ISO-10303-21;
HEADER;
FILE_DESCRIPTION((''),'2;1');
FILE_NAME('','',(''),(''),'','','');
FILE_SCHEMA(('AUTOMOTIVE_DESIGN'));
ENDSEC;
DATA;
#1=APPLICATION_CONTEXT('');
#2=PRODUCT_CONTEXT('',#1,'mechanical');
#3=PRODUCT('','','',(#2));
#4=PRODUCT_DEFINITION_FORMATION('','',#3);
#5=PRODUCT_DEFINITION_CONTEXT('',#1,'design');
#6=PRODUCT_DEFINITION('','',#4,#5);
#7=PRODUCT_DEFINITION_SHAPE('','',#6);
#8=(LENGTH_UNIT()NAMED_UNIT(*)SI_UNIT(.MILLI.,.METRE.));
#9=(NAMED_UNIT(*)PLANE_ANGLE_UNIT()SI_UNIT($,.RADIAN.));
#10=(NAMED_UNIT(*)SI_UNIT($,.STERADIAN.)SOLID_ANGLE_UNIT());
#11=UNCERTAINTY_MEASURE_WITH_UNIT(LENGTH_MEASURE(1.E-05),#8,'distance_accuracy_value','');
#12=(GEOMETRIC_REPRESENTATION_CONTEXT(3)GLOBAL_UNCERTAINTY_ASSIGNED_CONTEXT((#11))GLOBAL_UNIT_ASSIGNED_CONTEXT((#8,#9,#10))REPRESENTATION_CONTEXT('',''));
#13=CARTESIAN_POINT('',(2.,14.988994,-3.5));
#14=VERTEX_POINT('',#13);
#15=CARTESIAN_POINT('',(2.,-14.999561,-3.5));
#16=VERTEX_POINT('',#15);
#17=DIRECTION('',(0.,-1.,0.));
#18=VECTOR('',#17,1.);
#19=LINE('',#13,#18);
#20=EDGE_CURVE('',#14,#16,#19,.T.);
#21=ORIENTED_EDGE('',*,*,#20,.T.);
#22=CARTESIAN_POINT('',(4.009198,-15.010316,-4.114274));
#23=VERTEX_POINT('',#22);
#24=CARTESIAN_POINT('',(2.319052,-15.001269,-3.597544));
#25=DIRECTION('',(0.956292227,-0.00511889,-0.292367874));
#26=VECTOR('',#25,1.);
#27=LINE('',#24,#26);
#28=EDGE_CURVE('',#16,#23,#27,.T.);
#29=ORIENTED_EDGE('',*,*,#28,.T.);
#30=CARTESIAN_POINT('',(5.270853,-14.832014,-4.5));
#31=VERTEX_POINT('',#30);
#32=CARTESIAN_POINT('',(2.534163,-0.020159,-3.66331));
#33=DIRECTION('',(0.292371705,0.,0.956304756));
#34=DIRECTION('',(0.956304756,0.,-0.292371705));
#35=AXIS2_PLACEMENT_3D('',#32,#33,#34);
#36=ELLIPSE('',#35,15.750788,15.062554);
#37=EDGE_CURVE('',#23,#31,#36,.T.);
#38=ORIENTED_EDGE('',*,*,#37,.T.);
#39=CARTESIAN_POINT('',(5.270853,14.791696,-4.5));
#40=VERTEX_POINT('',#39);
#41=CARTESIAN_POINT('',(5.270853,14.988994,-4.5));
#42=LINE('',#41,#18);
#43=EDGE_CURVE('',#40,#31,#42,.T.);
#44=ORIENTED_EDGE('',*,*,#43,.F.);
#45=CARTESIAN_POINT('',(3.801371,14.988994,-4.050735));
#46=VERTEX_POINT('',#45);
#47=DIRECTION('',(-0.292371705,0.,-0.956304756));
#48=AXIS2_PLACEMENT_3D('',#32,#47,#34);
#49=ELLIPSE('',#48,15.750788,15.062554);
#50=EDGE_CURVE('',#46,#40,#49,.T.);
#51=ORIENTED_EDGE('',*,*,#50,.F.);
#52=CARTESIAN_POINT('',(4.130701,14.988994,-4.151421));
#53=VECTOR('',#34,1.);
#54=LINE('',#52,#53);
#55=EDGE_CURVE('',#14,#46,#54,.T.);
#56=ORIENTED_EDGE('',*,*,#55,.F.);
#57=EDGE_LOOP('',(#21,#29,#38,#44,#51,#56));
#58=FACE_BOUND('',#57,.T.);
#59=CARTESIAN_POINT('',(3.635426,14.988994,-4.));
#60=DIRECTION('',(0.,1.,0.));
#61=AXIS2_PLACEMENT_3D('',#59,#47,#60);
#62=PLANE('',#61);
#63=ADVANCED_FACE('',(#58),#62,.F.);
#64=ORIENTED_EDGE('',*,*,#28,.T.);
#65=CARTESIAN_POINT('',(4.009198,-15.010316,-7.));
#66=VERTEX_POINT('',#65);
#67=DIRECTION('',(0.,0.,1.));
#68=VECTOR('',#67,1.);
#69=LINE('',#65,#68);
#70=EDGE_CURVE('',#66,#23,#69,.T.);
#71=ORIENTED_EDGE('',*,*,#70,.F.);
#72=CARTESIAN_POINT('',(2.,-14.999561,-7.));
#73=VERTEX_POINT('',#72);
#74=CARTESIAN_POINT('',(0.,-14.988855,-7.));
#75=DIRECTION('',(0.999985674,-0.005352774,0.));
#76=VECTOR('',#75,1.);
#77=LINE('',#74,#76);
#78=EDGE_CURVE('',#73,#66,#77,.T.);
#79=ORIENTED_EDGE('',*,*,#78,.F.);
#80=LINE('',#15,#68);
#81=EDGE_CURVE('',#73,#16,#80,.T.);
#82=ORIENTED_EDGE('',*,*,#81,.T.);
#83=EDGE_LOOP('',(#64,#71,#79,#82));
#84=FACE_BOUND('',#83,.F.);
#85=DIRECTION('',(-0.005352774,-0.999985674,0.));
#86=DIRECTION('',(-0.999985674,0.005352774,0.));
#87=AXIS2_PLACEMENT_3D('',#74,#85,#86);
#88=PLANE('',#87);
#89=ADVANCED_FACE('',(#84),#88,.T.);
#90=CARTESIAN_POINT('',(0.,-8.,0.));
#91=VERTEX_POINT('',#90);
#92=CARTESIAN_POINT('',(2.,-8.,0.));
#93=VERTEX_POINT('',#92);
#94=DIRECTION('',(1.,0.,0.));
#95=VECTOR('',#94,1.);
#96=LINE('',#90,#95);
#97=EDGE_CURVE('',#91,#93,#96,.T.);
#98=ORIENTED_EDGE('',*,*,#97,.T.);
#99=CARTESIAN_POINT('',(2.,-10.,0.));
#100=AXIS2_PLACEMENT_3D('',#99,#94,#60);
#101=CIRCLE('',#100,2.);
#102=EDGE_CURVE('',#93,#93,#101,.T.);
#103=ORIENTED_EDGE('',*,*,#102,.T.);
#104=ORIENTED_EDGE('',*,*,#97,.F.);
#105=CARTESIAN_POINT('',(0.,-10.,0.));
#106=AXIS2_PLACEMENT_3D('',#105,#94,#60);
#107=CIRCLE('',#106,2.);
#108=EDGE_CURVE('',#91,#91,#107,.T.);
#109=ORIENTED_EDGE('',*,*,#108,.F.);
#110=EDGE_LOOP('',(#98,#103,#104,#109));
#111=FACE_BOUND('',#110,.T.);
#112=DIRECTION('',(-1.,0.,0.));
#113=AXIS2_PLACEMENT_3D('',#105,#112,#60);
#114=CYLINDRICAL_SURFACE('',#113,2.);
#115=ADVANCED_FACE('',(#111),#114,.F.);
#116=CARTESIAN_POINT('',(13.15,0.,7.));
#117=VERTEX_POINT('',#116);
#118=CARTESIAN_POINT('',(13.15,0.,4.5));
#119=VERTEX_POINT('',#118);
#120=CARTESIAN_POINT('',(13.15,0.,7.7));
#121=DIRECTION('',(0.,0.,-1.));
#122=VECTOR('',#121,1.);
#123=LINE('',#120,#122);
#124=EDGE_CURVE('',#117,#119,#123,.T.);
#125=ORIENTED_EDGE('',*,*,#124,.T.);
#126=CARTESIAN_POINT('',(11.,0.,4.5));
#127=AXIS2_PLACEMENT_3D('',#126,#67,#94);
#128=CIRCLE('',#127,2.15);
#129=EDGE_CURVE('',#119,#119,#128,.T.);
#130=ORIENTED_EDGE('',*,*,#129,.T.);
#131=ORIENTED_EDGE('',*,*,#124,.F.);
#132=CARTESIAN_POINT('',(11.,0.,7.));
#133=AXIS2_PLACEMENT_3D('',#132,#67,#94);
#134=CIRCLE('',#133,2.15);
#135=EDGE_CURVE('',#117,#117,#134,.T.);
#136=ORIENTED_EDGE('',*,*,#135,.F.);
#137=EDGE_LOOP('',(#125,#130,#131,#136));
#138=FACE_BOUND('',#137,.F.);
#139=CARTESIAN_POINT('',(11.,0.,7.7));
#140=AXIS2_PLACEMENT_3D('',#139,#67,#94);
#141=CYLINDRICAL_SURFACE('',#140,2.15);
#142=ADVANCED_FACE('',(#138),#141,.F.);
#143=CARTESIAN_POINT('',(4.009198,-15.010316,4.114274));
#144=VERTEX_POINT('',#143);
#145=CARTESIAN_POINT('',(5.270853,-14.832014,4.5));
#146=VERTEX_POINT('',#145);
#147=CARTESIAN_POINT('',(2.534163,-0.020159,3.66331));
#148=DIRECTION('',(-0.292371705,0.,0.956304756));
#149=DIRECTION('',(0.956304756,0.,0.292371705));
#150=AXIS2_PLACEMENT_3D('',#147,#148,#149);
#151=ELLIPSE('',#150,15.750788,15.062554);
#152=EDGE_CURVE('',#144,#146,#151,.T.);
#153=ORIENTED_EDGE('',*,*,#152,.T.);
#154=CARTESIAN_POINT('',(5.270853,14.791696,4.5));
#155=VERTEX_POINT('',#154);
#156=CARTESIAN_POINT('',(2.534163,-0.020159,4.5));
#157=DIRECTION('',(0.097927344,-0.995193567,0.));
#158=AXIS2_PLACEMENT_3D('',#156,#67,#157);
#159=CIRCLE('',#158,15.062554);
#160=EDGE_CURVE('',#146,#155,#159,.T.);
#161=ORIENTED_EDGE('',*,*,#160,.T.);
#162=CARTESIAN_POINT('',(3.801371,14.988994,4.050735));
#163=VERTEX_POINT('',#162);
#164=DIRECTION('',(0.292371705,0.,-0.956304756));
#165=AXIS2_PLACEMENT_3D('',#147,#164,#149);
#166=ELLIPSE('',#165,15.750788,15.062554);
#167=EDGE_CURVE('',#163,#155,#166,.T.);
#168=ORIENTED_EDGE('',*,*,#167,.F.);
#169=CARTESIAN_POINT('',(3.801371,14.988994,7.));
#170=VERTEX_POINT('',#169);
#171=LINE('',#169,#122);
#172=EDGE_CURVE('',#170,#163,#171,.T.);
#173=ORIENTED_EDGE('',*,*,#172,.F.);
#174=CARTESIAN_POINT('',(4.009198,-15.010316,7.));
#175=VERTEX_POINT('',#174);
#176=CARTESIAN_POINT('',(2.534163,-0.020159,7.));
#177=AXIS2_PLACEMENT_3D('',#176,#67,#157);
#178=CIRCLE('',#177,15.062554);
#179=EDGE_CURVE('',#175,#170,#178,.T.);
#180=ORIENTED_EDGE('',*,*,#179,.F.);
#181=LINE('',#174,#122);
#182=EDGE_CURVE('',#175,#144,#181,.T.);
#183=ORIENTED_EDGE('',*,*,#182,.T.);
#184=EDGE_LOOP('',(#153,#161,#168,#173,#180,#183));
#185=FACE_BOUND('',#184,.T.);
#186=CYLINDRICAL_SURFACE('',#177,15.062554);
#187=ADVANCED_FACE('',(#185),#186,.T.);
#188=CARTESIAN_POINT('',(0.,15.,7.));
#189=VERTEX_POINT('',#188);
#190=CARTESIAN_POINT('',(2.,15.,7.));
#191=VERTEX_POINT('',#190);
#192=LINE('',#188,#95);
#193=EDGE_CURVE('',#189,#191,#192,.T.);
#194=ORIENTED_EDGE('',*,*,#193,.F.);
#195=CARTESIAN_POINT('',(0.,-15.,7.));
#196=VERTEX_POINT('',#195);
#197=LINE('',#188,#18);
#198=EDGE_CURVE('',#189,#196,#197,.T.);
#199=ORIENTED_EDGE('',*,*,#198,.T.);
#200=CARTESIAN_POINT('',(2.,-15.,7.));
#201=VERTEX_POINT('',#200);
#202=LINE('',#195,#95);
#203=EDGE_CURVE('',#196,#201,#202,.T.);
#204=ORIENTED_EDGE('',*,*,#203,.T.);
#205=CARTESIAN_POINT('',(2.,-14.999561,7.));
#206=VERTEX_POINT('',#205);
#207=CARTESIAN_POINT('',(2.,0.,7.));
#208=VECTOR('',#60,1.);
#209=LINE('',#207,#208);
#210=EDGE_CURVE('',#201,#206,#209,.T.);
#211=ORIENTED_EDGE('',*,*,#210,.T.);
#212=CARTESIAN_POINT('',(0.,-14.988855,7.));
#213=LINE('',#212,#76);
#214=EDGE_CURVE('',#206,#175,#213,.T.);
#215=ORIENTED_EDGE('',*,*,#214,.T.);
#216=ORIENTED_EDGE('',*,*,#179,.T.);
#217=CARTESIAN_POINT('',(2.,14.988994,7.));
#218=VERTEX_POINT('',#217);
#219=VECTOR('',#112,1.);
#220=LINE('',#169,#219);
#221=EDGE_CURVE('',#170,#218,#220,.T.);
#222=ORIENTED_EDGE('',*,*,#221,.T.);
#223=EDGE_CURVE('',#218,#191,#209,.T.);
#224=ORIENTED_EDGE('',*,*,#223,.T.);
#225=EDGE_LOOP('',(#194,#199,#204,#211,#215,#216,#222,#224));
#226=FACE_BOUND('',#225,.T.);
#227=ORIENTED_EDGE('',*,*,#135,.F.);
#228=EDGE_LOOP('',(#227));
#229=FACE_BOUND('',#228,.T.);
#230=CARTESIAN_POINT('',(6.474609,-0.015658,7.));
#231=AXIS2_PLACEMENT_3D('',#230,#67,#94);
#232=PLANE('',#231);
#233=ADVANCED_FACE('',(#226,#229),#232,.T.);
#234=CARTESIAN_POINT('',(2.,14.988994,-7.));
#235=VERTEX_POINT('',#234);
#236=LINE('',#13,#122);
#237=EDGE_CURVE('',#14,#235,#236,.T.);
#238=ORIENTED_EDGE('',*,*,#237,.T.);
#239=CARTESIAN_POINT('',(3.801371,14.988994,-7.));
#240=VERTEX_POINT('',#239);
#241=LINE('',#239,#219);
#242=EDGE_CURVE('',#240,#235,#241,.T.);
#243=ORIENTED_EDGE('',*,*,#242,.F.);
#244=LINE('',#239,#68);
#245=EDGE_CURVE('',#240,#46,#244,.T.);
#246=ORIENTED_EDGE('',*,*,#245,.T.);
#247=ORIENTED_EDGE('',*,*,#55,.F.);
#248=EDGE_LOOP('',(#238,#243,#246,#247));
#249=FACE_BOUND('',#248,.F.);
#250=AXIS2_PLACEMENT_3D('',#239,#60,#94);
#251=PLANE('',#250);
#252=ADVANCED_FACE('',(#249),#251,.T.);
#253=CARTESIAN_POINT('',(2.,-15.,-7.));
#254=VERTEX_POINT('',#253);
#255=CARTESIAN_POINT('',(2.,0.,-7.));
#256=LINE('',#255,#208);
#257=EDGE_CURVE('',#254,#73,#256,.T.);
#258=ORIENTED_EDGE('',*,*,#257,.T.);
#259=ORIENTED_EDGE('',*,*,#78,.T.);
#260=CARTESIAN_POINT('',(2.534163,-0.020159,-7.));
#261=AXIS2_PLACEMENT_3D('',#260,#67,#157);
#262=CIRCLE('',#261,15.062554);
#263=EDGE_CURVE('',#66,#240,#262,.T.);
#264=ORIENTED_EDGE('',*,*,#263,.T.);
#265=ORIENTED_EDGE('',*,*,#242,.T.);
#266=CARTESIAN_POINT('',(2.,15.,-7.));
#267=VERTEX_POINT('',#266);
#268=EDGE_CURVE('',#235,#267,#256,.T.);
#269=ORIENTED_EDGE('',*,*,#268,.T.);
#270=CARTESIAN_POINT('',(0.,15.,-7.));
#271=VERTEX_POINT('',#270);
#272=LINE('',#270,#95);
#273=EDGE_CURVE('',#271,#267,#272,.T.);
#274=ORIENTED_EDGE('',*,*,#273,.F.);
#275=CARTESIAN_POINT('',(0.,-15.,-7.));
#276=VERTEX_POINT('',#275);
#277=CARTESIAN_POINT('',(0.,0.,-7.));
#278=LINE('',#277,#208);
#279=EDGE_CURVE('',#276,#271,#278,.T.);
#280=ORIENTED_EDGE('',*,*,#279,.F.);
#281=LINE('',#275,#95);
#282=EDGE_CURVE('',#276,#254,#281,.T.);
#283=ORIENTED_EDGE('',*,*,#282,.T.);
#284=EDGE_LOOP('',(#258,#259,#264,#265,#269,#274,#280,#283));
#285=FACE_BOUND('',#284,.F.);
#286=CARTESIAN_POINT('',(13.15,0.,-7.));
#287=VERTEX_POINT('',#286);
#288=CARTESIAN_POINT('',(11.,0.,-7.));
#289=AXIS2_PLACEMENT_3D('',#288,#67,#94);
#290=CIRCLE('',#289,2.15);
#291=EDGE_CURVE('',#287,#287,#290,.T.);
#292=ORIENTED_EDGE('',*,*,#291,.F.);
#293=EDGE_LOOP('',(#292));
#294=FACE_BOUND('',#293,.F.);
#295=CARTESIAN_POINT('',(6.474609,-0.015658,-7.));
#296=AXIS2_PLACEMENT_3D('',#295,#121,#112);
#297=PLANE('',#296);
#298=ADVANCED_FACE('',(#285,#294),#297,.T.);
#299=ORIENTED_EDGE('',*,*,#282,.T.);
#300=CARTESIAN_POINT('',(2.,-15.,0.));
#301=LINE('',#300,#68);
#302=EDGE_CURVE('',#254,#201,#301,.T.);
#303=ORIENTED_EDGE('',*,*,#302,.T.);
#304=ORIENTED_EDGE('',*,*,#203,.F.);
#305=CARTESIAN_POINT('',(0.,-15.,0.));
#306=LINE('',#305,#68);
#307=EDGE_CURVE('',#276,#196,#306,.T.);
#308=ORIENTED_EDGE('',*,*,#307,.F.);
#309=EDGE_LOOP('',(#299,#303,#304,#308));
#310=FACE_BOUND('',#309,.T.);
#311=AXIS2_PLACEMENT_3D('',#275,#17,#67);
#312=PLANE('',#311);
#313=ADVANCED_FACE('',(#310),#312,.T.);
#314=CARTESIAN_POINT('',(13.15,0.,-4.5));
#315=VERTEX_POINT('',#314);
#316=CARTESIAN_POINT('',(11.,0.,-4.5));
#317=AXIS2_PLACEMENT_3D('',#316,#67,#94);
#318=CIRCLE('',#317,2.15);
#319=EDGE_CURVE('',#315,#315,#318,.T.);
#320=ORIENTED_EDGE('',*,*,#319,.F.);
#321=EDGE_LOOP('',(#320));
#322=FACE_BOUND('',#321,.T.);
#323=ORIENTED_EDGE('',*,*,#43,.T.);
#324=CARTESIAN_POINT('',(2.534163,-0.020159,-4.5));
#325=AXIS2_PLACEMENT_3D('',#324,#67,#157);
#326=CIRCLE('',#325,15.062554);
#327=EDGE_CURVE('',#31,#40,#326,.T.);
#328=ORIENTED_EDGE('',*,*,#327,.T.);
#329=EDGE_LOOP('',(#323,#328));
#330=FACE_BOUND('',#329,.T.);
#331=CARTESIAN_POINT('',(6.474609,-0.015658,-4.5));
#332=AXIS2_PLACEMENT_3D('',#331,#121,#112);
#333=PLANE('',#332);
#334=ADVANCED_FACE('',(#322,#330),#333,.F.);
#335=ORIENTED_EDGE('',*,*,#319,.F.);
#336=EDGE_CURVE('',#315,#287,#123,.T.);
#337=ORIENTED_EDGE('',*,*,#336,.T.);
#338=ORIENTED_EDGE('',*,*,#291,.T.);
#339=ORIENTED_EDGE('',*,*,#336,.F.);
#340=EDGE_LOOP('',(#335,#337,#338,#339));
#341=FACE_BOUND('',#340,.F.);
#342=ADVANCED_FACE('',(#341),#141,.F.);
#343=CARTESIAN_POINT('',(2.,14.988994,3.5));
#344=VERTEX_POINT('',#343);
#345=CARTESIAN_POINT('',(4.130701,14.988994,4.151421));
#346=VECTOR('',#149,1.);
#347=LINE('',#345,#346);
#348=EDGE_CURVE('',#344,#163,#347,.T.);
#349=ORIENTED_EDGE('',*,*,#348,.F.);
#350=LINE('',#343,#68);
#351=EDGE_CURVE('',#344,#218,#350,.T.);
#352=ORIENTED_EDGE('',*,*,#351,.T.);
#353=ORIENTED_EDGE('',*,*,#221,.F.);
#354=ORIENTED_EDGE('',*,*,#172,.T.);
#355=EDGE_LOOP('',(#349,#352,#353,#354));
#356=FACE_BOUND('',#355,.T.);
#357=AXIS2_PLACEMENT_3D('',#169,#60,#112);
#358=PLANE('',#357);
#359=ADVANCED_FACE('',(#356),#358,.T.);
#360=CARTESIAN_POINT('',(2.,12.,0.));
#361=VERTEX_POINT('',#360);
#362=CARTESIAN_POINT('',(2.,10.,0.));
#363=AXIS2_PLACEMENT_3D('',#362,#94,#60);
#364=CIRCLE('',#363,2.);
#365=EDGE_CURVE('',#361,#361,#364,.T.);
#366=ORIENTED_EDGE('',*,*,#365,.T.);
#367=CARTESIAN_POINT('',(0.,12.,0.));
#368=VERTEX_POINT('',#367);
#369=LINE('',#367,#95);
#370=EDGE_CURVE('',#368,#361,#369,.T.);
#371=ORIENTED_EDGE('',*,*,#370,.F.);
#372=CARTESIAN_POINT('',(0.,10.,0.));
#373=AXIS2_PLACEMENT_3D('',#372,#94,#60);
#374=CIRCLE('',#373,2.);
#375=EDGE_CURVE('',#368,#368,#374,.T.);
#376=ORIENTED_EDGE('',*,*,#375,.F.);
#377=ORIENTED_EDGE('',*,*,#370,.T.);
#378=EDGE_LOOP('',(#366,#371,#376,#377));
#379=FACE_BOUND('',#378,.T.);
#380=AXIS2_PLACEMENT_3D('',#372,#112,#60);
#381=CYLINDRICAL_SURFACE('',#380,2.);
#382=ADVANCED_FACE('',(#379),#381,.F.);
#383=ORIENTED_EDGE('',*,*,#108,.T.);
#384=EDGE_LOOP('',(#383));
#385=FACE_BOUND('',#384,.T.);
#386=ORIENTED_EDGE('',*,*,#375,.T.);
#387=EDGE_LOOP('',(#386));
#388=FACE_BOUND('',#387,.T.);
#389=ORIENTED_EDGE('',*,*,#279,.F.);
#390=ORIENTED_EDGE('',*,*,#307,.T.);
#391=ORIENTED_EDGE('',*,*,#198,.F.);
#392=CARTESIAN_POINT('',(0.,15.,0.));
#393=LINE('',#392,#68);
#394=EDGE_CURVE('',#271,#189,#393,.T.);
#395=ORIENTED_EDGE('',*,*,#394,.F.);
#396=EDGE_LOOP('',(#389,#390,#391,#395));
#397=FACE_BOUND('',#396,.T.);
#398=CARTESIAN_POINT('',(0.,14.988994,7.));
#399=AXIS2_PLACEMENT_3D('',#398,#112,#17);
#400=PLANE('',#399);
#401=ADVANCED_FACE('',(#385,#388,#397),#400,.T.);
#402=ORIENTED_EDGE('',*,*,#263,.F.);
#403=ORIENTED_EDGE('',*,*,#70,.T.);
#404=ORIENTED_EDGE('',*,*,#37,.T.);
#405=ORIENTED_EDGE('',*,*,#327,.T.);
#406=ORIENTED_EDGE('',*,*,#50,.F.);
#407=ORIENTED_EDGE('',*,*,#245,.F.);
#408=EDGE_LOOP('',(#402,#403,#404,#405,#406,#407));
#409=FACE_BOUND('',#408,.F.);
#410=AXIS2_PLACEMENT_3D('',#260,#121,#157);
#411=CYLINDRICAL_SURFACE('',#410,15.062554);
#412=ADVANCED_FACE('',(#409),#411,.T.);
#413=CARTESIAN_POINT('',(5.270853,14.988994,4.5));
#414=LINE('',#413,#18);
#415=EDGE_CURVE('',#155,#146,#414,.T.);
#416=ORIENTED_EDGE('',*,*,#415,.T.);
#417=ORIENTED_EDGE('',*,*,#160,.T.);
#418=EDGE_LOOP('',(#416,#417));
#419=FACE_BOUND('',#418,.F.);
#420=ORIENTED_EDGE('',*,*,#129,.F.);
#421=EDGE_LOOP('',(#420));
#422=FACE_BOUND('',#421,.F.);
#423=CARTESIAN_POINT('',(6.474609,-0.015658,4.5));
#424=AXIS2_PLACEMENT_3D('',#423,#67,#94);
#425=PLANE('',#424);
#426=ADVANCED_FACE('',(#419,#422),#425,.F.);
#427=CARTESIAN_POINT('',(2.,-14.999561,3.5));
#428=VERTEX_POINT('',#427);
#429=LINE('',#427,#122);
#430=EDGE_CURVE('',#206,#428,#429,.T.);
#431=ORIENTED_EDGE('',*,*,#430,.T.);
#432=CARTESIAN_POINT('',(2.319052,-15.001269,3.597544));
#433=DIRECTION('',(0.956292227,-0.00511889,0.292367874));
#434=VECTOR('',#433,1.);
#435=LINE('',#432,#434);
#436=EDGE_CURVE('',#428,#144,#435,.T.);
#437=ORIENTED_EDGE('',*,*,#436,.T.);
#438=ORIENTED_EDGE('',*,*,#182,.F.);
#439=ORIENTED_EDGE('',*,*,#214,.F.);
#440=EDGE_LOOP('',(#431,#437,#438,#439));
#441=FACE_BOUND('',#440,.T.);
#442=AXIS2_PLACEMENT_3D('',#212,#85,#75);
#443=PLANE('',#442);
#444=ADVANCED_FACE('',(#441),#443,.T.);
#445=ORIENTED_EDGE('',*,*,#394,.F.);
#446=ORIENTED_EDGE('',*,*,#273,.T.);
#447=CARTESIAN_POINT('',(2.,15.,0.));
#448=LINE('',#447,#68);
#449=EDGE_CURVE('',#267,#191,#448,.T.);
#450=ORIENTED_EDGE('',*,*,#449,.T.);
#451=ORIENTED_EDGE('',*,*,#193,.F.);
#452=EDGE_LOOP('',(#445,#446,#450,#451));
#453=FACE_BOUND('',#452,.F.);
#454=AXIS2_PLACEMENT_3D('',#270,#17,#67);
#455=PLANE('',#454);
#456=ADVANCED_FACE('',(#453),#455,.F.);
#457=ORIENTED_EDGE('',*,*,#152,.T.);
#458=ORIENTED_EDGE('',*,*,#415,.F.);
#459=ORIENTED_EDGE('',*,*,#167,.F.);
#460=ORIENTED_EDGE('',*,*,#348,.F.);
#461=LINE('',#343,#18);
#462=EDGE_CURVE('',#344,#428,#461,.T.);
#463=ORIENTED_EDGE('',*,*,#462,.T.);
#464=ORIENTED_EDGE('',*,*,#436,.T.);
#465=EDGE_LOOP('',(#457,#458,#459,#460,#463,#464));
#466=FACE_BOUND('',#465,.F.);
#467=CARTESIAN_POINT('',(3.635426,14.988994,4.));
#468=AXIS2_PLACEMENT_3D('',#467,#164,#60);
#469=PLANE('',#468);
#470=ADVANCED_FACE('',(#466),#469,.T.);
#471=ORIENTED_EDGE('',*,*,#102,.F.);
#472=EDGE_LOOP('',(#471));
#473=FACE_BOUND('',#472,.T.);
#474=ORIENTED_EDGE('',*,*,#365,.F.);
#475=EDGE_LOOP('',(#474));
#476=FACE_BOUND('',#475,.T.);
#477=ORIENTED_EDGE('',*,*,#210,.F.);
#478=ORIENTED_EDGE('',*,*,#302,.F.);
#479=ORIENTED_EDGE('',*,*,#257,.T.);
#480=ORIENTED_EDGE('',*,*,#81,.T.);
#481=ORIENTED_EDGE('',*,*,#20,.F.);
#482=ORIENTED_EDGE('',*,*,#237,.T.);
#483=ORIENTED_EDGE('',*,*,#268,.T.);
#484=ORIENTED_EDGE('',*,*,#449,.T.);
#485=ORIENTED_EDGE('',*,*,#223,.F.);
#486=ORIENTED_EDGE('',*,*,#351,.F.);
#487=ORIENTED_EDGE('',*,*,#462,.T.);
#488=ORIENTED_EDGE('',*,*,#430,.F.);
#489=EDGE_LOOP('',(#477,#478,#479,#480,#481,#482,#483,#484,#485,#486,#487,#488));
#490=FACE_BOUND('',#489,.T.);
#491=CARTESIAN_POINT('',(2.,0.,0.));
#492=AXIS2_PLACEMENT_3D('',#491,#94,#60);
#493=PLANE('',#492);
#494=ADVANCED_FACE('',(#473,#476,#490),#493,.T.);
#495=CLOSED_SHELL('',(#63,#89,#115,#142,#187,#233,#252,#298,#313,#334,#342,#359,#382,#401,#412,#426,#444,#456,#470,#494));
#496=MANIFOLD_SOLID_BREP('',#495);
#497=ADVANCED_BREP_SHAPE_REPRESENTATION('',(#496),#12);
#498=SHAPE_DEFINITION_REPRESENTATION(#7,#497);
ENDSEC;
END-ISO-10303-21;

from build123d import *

# Parameters (mm, degrees)
F0_W     = 30
F0_H     = 14
F0_R     = 2
F1_DEPTH = 2
F4_DEPTH = 2.5
F6_SIZE2 = 3.2708526185
F6_SIZE  = 1
F8_R     = 2.15
F9_DEPTH = 14.701


with BuildPart() as f1:
    # F0 (on Right) → F1 (new body)
    with BuildSketch(Plane.YZ):
        Rectangle(F0_W, F0_H)
        with Locations((-10, 0)):
            Circle(F0_R, mode=Mode.SUBTRACT)
        with Locations((10, 0)):
            Circle(F0_R, mode=Mode.SUBTRACT)
    extrude(amount=F1_DEPTH)

    # F3 (on offset) → F4 (join)
    with BuildSketch(Plane.XY.offset(7)):
        with BuildLine():
            ThreePointArc((4.0091983974, -15.0103159249), (17.5963547051, 0.0841872352), (3.8013714597, 14.9889944946))
            Line((3.8013714597, 14.9889944946), (0, 14.9889944946))
            Line((0, 14.9889944946), (0, -14.9888552843))
            Line((0, -14.9888552843), (4.0091983974, -15.0103159249))
        make_face()
    extrude(amount=-F4_DEPTH)

    # F5: F1 across plane


with BuildPart() as f1_1:
    add(f1.part)
    add(f1.part.mirror(Plane.XY))

    # F6
    f6_edges = [f1_1.edges().sort_by_distance(p)[0] for p in [
        (2, -0.005283, 4.5),
        (2, -0.005283, -4.5),
    ]]
    f6_side = f1_1.faces().sort_by_distance((2, 0.003234, 0))[0]
    chamfer(f6_edges, length=F6_SIZE, length2=F6_SIZE2, reference=f6_side)

    # F8 (on offset) → F9 (cut, through all)
    with BuildSketch(Plane.XY.offset(7.7)):
        with Locations((11, 0)):
            Circle(F8_R)
    extrude(amount=-F9_DEPTH, mode=Mode.SUBTRACT)


solid = f1_1.part
